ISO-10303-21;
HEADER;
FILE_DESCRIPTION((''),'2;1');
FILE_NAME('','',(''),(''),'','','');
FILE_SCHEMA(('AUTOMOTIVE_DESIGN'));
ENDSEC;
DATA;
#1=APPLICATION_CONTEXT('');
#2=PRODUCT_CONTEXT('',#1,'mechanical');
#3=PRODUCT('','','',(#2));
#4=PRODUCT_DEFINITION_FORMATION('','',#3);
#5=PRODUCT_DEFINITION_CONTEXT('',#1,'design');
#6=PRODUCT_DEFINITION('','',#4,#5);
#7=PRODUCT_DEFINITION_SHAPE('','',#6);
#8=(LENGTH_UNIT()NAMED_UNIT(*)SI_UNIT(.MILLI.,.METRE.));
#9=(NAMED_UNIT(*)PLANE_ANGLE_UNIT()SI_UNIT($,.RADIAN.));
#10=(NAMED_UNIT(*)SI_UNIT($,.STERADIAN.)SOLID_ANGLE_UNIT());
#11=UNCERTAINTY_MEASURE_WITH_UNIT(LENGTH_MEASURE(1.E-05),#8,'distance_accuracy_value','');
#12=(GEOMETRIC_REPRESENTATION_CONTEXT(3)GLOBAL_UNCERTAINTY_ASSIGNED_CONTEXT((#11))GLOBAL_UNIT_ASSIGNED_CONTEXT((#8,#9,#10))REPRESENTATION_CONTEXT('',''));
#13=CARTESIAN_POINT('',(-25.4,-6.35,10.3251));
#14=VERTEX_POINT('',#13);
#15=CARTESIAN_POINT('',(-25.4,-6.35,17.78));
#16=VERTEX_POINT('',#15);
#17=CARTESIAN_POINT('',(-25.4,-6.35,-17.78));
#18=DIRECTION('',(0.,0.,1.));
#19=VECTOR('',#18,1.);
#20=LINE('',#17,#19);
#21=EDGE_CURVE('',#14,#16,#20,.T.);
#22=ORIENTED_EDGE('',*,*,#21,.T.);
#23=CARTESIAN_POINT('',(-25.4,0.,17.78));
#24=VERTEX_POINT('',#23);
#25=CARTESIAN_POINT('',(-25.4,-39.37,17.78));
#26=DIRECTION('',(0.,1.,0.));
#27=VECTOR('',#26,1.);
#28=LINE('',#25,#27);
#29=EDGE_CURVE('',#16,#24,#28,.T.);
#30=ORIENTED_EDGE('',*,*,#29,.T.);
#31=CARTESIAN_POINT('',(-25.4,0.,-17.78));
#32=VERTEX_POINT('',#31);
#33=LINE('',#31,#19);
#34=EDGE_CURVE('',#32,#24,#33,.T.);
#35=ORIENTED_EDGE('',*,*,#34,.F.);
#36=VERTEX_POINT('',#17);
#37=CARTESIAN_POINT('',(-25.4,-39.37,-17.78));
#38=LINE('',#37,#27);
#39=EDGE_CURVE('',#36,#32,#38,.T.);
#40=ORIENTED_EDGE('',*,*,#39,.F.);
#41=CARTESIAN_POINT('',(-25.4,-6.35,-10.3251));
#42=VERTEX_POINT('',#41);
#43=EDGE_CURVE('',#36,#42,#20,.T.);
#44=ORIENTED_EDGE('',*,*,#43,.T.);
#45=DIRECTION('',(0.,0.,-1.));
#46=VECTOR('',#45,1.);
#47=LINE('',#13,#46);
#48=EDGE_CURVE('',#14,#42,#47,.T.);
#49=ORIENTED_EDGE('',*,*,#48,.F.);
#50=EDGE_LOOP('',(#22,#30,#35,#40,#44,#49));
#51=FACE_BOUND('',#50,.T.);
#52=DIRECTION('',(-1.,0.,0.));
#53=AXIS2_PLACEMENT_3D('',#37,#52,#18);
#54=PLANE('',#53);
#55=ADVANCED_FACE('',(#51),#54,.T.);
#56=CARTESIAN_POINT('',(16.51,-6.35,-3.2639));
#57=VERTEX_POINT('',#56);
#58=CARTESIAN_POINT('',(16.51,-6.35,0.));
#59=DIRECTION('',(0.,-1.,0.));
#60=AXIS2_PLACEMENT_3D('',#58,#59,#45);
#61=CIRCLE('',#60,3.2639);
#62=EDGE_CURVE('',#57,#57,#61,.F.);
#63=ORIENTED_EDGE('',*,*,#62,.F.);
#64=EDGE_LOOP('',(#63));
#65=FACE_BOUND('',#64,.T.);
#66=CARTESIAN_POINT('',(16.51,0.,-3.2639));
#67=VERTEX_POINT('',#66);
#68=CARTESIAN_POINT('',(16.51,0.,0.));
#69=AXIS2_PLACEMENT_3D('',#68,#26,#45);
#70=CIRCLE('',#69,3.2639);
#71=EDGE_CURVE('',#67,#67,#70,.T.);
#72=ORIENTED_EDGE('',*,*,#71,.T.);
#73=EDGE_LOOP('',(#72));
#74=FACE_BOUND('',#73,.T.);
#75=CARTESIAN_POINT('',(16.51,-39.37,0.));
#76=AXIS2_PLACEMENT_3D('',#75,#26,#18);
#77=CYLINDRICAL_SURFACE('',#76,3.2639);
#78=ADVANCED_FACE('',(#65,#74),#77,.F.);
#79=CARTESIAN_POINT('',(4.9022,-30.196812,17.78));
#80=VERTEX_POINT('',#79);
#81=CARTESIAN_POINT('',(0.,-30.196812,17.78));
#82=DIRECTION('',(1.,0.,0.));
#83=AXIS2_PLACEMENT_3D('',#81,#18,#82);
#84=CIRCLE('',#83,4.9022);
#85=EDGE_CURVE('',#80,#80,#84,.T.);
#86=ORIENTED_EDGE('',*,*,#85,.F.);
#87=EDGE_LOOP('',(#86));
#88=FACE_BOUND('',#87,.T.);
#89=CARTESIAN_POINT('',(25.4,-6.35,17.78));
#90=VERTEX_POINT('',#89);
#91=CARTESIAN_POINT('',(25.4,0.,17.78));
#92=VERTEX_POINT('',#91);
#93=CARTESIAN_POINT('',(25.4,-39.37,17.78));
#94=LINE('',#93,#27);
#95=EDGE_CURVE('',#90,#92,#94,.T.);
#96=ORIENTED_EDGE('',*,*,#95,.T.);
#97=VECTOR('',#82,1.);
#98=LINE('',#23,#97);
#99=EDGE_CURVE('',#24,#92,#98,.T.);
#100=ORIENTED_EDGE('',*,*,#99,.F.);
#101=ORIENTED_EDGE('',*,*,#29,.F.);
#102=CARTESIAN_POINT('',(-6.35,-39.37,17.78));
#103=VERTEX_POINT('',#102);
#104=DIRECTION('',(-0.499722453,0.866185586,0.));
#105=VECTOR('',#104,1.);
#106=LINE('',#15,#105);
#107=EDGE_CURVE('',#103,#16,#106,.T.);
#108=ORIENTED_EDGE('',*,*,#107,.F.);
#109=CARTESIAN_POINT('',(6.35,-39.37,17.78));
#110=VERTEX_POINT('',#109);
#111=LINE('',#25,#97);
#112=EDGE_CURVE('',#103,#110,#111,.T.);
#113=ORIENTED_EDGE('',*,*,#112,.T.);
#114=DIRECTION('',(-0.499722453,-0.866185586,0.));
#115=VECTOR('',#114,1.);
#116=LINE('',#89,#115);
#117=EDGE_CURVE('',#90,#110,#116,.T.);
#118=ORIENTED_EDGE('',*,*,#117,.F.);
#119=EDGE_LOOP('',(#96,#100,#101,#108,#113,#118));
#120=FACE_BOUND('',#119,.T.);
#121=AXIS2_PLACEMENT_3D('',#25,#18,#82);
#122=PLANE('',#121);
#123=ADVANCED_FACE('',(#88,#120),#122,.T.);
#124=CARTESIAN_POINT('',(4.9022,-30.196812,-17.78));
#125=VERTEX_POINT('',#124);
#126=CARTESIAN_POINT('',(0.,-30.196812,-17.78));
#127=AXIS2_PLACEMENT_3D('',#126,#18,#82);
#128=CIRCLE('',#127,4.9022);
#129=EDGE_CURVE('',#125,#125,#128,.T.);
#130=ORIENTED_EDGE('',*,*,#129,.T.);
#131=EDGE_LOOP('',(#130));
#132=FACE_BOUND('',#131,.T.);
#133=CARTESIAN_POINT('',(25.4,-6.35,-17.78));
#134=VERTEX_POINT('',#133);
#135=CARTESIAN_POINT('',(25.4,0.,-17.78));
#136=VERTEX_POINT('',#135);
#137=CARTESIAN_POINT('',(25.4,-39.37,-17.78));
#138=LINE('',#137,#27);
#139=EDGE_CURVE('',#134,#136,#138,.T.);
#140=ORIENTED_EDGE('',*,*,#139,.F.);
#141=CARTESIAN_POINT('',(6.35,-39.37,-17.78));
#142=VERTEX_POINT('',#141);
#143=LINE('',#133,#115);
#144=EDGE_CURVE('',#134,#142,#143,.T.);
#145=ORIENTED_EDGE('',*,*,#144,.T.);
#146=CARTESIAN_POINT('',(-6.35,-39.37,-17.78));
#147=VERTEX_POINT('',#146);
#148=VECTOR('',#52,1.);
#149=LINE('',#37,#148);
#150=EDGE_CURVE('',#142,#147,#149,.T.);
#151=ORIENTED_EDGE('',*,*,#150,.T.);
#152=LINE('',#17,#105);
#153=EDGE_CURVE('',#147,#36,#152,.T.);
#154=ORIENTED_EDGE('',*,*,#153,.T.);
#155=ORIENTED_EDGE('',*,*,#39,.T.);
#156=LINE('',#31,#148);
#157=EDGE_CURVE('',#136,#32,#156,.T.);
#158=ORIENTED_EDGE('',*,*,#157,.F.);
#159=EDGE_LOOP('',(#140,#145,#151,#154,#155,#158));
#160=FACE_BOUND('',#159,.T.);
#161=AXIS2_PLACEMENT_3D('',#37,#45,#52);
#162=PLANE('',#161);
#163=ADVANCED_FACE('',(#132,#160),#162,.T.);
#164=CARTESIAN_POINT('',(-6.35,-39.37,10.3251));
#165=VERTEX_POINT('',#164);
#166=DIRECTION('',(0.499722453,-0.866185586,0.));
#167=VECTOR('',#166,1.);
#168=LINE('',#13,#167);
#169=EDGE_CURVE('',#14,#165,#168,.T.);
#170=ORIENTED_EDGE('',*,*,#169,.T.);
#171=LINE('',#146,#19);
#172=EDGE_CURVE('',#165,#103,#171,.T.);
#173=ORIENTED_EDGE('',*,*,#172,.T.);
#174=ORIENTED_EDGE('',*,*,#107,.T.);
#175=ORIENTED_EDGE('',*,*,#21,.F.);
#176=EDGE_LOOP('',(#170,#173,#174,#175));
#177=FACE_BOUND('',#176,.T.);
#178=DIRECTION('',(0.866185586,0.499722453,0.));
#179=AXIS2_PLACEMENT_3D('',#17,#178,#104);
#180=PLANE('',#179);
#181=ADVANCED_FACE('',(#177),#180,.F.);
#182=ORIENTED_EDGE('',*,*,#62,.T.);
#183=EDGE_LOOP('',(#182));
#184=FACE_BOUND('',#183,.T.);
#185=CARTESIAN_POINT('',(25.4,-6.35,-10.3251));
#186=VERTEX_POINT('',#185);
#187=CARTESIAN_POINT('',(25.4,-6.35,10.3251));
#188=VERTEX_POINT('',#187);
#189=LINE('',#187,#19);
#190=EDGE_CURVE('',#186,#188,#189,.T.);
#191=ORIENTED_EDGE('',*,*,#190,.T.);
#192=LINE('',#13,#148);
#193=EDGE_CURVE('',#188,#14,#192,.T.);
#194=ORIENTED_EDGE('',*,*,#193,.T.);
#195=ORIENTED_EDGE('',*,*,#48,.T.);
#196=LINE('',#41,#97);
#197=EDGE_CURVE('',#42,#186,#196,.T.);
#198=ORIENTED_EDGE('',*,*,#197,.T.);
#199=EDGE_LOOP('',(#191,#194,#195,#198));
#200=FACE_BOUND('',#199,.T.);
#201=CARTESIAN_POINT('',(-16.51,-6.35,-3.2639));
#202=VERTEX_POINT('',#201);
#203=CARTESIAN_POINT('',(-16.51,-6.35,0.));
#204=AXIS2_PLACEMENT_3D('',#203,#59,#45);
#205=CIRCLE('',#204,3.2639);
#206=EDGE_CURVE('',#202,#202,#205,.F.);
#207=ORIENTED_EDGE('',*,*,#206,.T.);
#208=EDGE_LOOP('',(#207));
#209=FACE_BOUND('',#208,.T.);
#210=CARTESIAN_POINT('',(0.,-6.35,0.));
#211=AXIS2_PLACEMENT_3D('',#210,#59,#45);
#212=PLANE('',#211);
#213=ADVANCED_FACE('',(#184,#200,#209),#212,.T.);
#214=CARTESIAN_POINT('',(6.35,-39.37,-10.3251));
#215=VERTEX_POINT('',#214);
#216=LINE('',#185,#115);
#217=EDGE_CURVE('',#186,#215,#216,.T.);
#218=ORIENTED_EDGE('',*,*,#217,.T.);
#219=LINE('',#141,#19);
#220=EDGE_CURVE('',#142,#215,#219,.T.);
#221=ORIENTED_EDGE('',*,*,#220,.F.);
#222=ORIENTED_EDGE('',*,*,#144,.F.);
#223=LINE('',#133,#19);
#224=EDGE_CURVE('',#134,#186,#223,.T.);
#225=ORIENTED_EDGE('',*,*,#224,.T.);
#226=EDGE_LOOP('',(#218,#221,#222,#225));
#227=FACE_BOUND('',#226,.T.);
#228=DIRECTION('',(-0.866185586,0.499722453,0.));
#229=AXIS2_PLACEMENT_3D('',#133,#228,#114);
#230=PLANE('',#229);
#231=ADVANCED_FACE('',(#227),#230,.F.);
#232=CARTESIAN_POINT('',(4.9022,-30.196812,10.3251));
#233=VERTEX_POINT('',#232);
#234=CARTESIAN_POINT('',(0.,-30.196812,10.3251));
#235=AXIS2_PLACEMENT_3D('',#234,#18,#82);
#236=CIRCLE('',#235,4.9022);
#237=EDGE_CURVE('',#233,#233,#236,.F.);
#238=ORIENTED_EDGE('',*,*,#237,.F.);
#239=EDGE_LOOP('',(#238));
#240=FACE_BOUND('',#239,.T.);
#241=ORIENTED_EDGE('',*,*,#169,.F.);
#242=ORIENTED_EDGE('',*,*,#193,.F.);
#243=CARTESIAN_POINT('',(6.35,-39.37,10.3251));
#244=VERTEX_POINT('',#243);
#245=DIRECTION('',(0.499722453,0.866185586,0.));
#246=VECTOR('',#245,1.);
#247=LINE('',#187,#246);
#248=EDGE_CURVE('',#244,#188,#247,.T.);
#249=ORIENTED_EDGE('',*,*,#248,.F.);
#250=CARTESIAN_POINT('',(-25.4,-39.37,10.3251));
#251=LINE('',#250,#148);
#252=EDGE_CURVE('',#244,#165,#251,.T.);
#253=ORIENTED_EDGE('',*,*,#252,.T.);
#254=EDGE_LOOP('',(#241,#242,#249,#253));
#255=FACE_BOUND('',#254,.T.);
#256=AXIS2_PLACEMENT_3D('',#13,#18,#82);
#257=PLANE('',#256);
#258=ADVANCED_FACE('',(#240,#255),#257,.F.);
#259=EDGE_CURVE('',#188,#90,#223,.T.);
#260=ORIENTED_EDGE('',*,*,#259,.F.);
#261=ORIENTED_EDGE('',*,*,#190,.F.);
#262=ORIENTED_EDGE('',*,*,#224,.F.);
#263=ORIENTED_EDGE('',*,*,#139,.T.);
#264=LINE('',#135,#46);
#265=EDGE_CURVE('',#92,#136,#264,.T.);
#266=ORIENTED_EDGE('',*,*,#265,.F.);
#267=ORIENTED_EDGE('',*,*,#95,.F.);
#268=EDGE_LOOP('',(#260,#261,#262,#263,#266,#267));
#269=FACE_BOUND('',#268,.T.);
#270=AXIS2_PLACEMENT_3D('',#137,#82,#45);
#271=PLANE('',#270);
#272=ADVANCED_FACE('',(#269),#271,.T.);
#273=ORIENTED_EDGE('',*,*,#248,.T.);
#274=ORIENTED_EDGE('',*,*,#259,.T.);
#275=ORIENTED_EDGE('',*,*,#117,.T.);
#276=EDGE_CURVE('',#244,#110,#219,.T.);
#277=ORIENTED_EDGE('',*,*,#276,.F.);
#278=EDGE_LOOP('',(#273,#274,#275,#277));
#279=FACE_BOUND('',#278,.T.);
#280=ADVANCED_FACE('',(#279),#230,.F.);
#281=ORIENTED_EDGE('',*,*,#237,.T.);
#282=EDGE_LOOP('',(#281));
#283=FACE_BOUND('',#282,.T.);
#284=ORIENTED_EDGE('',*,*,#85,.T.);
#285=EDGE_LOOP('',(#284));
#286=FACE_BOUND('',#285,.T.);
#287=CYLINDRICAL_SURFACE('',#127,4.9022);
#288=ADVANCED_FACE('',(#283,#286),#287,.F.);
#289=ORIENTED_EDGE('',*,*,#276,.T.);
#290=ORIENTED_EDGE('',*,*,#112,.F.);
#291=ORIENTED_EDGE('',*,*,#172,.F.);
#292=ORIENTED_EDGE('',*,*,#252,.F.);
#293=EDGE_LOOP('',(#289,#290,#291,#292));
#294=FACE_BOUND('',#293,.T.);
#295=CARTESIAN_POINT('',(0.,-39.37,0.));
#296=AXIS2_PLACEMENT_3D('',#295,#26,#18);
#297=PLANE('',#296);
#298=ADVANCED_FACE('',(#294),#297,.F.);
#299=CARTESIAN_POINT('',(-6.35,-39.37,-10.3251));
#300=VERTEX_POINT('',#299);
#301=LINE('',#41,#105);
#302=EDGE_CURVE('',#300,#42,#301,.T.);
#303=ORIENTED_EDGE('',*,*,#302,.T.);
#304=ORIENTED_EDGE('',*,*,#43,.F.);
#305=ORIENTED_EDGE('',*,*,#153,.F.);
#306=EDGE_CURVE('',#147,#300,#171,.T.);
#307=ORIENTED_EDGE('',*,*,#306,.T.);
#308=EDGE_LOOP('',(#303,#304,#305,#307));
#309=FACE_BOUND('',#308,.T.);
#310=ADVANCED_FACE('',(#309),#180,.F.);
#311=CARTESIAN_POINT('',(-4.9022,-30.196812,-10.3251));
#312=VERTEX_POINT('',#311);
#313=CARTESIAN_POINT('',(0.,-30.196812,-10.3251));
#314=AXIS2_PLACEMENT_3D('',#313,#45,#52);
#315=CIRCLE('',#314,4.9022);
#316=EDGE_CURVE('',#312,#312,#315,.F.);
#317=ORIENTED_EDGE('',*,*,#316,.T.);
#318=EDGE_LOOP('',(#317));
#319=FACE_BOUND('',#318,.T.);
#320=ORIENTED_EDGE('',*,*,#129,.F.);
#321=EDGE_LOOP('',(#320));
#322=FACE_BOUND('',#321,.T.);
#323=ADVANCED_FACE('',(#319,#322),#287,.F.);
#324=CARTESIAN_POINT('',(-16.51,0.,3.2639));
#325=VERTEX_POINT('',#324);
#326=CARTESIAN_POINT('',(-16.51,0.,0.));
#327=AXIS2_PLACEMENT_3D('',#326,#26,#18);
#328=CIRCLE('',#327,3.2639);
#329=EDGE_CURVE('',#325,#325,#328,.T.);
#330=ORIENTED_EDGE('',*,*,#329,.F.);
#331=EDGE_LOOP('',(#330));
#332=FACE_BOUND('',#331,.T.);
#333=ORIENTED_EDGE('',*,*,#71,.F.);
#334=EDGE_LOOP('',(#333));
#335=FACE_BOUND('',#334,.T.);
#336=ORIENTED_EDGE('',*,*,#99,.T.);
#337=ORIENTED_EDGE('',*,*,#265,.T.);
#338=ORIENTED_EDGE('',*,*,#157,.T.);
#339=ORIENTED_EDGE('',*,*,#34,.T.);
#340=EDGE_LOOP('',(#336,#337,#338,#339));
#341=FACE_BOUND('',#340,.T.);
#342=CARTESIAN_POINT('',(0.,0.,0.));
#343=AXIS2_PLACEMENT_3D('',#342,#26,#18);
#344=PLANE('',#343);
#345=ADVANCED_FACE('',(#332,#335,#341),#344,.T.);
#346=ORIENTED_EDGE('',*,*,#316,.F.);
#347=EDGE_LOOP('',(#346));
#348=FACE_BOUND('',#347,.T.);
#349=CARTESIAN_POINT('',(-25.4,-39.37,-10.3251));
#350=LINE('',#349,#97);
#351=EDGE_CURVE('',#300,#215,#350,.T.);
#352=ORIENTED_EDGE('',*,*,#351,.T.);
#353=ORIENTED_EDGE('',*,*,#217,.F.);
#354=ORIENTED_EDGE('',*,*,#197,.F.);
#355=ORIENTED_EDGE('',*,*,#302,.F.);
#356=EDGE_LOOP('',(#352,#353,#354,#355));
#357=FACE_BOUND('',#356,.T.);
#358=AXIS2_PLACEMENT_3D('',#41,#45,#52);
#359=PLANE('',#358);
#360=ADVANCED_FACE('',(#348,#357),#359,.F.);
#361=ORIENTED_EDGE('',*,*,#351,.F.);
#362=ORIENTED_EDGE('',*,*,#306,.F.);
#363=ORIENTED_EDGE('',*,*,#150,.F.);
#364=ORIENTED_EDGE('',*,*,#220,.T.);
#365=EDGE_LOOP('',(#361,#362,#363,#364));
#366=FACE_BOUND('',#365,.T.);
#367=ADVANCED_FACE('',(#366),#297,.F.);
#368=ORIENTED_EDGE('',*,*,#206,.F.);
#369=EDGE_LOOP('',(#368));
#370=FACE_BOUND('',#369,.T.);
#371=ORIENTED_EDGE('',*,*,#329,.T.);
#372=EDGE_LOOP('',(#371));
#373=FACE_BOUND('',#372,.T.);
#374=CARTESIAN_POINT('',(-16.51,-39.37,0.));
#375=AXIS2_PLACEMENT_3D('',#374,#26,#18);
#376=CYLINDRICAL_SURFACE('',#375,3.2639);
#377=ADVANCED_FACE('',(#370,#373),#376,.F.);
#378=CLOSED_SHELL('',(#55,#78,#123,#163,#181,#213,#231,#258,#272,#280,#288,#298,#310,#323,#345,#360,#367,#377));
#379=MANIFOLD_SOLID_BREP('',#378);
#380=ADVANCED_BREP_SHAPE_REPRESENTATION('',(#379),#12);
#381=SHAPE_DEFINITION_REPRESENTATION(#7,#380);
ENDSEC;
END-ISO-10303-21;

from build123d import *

# Parameters (mm, degrees)
SKETCH2_W           = 50.8
SKETCH2_H           = 35.56
SKETCH2_R           = 3.2639
BOSS_EXTRUDE1_DEPTH = 39.37
SKETCH4_R           = 4.9022
CUT_EXTRUDE1_DEPTH  = 59.818963779
SKETCH5_W           = 50.8
SKETCH5_H           = 20.6502
CUT_EXTRUDE2_DEPTH  = 33.02


with BuildPart() as part:
    # Sketch2 → Boss-Extrude1 (new body)
    with BuildSketch(Plane(origin=(0, 0, 0), x_dir=(1, 0, 0), z_dir=(0, 1, 0))):
        Rectangle(SKETCH2_W, SKETCH2_H)
        with Locations(Location((-16.51, 0, 0), (0, 0, 270))):
            Circle(SKETCH2_R, mode=Mode.SUBTRACT)
        with Locations(Location((16.51, 0, 0), (0, 0, 90))):
            Circle(SKETCH2_R, mode=Mode.SUBTRACT)
    extrude(amount=-BOSS_EXTRUDE1_DEPTH)

    # Sketch4 → Cut-Extrude1 (cut, through all)
    with BuildSketch(Plane.XY.offset(17.78)):
        with Locations((0, -30.196811844)):
            Circle(SKETCH4_R)
        Polygon((-25.4, -6.35), (-6.35, -39.37), (-25.4, -39.37), align=None)
        Polygon((6.35, -39.37), (25.4, -39.37), (25.4, -6.35), align=None)
    extrude(amount=-CUT_EXTRUDE1_DEPTH, mode=Mode.SUBTRACT)

    # Sketch5 → Cut-Extrude2 (cut)
    with BuildSketch(Plane.XZ.offset(39.37)):
        Rectangle(SKETCH5_W, SKETCH5_H)
    extrude(amount=-CUT_EXTRUDE2_DEPTH, mode=Mode.SUBTRACT)


solid = part.part
